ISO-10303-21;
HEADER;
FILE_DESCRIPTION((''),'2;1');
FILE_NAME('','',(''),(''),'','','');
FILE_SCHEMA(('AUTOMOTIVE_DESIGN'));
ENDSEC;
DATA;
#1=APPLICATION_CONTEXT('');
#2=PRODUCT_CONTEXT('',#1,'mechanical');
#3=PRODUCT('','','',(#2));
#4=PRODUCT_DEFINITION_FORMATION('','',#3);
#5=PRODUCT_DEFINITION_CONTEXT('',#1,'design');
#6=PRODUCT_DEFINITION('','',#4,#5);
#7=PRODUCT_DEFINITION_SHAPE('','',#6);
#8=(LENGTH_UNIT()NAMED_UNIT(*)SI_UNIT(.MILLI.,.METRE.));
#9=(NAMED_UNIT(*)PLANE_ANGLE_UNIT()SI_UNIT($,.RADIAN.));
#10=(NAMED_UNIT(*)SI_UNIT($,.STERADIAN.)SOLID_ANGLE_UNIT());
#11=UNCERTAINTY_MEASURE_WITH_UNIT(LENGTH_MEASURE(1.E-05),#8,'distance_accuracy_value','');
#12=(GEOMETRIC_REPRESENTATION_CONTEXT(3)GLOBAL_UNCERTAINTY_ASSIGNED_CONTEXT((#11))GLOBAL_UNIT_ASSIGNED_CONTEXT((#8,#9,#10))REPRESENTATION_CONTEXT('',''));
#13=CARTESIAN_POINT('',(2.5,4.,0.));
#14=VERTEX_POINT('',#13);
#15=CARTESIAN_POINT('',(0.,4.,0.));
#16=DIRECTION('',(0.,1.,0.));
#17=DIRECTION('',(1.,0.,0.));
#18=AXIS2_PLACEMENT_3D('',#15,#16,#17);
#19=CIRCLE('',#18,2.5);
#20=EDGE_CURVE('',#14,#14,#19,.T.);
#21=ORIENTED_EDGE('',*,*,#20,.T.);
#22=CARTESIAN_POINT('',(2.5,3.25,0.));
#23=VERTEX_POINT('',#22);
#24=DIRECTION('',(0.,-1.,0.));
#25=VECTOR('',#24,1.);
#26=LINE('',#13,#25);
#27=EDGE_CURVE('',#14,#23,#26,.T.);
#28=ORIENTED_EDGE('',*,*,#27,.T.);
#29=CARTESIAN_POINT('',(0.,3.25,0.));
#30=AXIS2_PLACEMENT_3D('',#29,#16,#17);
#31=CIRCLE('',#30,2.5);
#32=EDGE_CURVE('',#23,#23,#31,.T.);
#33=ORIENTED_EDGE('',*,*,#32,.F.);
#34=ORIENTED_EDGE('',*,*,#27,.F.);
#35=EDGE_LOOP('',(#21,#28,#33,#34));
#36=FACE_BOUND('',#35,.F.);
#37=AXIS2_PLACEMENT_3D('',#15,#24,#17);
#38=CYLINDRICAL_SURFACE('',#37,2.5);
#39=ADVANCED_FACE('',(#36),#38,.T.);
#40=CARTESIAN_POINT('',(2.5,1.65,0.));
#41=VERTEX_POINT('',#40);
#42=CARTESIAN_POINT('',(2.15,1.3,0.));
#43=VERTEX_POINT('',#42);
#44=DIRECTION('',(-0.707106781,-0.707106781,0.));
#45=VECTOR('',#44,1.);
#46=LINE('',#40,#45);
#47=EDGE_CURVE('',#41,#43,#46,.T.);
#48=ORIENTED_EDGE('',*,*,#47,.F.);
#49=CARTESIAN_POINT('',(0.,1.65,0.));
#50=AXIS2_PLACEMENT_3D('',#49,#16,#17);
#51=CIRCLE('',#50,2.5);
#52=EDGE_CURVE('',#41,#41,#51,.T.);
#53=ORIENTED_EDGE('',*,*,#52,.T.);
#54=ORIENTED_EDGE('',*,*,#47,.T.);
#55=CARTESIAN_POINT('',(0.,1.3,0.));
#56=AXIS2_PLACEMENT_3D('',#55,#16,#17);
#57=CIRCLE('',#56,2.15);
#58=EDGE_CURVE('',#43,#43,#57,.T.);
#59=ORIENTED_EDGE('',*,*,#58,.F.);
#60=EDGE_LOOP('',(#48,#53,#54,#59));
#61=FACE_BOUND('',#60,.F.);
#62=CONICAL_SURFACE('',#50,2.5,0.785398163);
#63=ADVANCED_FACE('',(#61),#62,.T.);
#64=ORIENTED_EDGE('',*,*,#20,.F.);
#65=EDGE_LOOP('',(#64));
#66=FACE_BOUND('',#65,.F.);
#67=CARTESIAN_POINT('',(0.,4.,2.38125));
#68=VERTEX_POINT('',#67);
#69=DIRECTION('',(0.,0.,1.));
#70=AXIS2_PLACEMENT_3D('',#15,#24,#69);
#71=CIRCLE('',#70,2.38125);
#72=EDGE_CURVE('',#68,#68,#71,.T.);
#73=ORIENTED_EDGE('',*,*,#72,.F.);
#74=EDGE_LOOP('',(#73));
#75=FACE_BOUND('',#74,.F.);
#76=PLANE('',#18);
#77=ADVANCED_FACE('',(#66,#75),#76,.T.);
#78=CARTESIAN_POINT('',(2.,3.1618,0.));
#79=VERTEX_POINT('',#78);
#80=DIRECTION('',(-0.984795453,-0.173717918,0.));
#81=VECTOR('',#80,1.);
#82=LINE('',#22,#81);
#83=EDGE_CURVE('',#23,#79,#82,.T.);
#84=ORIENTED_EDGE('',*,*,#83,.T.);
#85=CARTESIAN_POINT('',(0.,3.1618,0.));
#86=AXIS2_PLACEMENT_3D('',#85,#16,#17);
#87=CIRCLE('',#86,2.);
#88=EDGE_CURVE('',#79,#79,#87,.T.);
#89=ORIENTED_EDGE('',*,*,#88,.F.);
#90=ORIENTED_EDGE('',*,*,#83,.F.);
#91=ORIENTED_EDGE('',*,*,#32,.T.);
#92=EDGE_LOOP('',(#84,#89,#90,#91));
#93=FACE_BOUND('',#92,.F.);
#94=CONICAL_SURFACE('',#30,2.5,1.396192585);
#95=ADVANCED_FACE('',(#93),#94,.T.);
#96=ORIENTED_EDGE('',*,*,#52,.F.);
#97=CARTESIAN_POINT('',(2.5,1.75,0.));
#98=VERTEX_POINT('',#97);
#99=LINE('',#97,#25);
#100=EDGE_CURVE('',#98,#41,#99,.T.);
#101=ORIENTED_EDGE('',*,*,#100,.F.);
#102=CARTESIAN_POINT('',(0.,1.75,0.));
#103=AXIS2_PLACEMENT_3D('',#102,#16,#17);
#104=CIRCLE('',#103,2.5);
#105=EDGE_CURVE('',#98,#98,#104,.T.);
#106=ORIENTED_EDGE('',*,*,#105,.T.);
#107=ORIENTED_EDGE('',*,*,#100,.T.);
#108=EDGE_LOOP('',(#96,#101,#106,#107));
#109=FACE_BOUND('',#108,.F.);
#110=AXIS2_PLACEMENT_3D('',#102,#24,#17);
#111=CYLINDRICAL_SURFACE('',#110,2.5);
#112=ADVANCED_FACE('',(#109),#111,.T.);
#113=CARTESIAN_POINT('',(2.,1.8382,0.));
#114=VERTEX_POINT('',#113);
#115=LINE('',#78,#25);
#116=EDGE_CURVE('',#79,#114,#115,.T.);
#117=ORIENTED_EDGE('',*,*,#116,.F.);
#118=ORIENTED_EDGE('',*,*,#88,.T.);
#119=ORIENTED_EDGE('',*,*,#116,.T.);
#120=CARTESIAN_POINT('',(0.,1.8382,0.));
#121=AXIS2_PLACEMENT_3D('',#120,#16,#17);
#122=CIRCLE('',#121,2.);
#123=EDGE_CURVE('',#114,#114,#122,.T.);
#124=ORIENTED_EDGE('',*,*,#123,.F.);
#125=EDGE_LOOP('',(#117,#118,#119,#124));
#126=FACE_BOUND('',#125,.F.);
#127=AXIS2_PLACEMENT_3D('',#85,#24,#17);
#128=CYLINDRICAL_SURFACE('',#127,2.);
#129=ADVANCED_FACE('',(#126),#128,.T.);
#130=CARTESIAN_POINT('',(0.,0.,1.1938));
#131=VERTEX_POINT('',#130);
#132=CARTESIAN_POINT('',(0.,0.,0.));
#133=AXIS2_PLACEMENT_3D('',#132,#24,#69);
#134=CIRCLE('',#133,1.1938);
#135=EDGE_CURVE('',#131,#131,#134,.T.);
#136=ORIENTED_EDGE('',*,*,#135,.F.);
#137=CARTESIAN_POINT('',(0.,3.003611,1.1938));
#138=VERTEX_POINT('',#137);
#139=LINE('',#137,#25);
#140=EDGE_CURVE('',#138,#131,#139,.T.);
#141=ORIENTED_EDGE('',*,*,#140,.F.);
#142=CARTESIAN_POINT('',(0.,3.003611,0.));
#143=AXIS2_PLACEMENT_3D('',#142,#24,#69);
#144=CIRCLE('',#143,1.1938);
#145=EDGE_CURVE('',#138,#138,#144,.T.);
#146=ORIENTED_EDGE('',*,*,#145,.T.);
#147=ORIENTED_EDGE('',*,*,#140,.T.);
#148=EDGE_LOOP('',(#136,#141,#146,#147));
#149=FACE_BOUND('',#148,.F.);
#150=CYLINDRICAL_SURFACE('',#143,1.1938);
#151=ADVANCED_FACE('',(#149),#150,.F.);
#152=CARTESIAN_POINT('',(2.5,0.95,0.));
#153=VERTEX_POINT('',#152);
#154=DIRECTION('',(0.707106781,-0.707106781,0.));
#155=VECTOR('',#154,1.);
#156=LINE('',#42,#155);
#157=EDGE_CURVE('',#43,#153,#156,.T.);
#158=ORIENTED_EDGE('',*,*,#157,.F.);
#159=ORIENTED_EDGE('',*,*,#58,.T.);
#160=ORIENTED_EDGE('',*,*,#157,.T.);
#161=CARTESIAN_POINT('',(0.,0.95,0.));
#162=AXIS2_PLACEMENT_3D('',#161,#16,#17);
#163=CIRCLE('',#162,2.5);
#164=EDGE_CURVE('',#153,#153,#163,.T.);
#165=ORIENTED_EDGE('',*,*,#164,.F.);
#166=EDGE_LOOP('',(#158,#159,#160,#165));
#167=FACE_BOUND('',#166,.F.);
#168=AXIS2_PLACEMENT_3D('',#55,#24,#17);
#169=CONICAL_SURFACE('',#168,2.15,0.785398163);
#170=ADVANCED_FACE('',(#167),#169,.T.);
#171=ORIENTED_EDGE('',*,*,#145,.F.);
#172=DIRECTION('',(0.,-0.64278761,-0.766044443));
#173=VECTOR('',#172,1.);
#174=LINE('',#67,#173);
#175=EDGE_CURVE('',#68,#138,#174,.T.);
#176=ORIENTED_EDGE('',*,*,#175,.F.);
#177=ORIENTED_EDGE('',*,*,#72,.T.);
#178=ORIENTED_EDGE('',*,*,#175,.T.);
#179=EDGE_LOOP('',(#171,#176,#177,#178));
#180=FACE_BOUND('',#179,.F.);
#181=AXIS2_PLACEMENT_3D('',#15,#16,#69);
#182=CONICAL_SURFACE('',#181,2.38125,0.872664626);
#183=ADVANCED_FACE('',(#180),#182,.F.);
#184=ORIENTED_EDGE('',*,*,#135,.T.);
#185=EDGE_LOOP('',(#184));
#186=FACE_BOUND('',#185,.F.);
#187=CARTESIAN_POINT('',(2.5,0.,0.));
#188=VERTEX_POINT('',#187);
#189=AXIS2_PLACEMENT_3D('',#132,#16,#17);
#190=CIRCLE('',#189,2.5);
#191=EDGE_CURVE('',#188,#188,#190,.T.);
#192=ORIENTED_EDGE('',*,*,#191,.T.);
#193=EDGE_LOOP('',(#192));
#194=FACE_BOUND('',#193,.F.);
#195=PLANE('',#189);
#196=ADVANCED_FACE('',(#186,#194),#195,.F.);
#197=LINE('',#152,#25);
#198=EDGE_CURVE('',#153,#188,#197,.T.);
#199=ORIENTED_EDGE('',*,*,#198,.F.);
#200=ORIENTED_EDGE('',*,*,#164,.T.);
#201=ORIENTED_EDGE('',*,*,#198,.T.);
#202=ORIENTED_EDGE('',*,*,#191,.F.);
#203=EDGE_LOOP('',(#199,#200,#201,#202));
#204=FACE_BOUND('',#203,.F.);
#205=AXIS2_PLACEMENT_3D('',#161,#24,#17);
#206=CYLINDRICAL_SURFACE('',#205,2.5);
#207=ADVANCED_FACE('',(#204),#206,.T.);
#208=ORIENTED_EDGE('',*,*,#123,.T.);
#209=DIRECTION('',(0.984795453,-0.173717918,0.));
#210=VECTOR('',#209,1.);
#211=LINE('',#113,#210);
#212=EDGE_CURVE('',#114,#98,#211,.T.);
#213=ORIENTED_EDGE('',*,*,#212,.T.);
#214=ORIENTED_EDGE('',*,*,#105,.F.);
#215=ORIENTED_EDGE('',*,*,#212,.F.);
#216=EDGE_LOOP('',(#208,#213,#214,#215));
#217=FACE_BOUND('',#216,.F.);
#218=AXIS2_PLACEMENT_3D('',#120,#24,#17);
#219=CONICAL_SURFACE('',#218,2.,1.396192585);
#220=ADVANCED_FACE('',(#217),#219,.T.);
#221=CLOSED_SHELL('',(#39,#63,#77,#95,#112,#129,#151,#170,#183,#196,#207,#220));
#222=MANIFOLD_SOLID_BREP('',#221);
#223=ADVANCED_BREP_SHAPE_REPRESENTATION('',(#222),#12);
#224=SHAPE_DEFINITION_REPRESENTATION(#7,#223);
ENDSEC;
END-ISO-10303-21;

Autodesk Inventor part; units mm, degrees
ref_plane "YZ Plane" through (0, 0, 0) normal (1, 0, 0) x (0, 1, 0)
ref_plane "XZ Plane" through (0, 0, 0) normal (0, 1, 0) x (-1, 0, 0)
ref_plane "XY Plane" through (0, 0, 0) normal (0, 0, 1) x (1, 0, 0)
sketch "Sketch1" plane through (0, 0, 0) normal (0, 0, 1) x (1, 0, 0)
  line L0 (0, 0) -> (0, 17.163)
  line L1 (2.5, 4) -> (2.5, 3.25)
  line L2 (2.5, 0) -> (0, 0)
  line L3 (2.5, 3.25) -> (2, 3.1618)
  line L4 (2, 3.1618) -> (2, 1.8382)
  line L5 (2, 1.8382) -> (2.5, 1.75)
  line L6 (0, 0) -> (0, 4)
  line L7 (0, 4) -> (2.5, 4)
  line L8 (2.5, 1.65) -> (2.15, 1.3)
  line L9 (2.15, 1.3) -> (2.5, 0.95)
  line L10 (2.5, 1.75) -> (2.5, 1.65)
  line L11 (2.5, 0.95) -> (2.5, 0)
  dimension "d2" = 5
  dimension "d17" = 0.75
  dimension "d18" = 1.75
  dimension "d19" = 100
  dimension "d20" = 100
  dimension "d24" = 1.3237
  dimension "d42" = 1.3
  dimension "d43" = 135
  dimension "d44" = 135
  dimension "d45" = 0.35
revolve "Revolution1" add sketch "Sketch1" angle 360 about axis through (0, 0, 0) along (0, 1, 0)
hole "Hole1" [suppressed]
hole "Hole2" at (0, 4, 0) direction (0, -1, 0) diameter 2.3876 end through all countersink diameter 4.7625 countersink angle 100
properties part number "antenna_shaft_delrin" material "Acetal Resin, Black"
